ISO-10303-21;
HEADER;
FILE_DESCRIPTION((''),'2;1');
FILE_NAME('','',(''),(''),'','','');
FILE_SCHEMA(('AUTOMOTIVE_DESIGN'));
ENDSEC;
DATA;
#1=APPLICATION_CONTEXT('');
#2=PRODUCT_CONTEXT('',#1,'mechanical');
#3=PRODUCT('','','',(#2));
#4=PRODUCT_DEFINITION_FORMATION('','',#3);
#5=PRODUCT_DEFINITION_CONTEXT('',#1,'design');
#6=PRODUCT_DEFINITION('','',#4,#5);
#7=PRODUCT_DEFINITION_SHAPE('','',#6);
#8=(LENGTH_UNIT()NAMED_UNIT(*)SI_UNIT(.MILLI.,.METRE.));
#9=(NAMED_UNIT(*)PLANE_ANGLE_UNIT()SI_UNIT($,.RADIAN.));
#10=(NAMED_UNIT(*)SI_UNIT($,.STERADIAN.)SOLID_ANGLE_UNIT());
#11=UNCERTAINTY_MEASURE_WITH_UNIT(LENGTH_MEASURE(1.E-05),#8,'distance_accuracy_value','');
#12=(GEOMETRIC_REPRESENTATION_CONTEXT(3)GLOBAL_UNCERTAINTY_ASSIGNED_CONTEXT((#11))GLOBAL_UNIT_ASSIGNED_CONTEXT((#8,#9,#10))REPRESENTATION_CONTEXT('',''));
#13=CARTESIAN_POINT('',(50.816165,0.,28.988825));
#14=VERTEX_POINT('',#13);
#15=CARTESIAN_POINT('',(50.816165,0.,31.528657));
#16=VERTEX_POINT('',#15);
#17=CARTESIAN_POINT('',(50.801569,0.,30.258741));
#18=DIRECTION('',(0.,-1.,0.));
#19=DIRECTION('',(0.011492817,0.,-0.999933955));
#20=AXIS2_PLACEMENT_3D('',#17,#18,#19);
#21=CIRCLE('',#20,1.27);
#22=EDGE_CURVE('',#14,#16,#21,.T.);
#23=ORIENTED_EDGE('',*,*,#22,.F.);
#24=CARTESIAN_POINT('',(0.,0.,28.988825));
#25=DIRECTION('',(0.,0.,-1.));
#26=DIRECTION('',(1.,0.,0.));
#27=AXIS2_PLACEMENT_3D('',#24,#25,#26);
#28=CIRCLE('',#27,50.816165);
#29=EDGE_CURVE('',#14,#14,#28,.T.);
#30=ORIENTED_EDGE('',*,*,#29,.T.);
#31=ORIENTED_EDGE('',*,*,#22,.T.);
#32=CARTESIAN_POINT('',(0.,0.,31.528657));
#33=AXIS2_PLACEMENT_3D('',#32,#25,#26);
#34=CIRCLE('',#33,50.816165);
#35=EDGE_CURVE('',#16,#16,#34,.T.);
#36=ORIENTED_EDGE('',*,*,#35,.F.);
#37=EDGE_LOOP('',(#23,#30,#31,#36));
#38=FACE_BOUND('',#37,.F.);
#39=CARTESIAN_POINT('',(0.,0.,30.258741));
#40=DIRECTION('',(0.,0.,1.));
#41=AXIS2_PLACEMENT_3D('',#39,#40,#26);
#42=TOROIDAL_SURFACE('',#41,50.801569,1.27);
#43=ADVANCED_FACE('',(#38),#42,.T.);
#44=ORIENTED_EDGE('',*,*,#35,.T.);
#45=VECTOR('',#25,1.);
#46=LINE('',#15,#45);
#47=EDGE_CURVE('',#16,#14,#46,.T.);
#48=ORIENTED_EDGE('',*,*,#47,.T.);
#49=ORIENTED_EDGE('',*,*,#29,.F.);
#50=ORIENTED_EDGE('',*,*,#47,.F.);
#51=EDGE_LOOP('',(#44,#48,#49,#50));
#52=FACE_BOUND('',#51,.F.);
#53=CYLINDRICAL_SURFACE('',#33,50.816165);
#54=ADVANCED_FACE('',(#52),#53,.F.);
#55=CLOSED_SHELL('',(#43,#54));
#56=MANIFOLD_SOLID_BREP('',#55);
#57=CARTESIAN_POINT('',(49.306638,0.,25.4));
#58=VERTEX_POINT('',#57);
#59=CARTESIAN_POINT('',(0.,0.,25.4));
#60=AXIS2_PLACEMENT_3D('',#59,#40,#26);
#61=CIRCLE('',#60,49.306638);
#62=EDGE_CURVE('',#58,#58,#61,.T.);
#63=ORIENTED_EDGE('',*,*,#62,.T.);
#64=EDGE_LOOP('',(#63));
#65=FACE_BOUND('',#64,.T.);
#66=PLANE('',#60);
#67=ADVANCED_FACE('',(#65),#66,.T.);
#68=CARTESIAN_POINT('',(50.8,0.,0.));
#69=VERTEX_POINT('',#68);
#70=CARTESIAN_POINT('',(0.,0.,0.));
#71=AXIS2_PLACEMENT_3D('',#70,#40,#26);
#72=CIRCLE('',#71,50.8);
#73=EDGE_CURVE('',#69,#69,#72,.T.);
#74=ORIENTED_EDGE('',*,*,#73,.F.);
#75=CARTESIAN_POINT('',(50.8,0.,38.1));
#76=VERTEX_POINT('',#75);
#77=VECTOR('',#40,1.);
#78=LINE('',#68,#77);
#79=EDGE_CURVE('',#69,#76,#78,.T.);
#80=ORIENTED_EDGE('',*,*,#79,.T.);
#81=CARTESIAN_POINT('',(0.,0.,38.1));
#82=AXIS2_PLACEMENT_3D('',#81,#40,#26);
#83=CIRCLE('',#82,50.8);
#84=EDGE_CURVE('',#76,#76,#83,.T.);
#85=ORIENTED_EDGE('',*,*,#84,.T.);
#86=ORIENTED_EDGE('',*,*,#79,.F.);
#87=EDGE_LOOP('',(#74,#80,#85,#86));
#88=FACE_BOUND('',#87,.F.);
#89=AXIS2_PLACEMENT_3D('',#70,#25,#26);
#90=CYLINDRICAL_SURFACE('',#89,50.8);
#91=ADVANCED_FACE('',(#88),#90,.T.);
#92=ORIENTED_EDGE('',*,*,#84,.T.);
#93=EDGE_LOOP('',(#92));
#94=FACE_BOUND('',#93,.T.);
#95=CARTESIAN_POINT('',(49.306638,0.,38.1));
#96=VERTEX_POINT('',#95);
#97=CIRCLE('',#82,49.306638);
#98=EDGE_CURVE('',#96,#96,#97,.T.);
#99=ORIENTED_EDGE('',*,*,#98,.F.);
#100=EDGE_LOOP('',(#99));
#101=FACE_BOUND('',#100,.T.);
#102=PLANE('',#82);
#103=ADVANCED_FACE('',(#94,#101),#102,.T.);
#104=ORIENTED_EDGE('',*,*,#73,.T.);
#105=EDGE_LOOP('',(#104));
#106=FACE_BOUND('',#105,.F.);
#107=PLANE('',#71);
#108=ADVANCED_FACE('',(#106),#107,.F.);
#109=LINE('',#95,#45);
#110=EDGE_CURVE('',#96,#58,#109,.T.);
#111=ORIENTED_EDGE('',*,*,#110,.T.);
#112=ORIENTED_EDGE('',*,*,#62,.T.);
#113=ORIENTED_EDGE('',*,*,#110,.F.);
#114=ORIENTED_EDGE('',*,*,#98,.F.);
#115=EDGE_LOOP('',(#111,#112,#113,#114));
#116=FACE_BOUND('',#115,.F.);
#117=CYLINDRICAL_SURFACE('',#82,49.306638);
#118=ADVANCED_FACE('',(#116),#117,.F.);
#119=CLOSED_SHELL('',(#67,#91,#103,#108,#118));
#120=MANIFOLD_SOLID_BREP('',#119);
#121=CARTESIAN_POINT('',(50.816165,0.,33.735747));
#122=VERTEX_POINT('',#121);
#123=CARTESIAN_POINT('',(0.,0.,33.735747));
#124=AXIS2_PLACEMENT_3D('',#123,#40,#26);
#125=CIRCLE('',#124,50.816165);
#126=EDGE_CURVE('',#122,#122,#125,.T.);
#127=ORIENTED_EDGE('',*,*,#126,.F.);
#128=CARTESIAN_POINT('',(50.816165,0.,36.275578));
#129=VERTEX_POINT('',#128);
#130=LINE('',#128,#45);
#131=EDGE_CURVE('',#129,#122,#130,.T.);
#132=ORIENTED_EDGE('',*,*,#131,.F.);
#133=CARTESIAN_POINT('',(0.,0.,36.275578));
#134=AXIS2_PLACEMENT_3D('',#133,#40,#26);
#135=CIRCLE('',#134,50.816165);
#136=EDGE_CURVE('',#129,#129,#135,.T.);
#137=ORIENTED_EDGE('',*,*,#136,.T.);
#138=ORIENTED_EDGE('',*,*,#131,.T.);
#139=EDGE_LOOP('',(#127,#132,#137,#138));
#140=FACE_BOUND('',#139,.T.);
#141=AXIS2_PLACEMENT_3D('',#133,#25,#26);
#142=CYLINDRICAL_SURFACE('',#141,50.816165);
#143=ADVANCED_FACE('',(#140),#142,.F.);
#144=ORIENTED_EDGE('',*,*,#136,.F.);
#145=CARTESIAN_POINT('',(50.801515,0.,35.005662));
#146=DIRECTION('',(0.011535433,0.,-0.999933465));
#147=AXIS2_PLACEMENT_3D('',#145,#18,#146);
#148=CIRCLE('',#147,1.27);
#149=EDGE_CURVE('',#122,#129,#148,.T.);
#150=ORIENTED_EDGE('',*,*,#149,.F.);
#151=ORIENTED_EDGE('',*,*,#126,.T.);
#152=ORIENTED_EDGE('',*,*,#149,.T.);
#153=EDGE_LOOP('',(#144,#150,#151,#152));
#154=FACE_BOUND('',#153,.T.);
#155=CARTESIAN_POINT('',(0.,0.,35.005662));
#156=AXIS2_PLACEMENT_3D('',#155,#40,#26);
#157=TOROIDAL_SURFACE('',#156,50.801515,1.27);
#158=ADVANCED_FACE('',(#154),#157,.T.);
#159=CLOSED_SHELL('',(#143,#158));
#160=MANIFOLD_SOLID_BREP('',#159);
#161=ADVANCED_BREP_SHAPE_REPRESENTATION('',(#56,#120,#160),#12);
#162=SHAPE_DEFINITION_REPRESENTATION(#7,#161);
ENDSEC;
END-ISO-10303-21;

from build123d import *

# Parameters (mm, degrees)
F0_R     = 50.8
F1_DEPTH = 38.1
F2_R     = 49.306638
F3_DEPTH = 12.7


with BuildPart() as f1:
    # F0 (on Top) → F1 (new body)
    with BuildSketch(Plane.XY):
        Circle(F0_R)
    extrude(amount=F1_DEPTH)

    # F2 (on face) → F3 (cut)
    with BuildSketch(Plane.XY.offset(38.1)):
        Circle(F2_R)
    extrude(amount=-F3_DEPTH, mode=Mode.SUBTRACT)


with BuildPart() as f5:
    # F4 (on Front) → F5 (revolve)
    with BuildSketch(Plane.XZ):
        with BuildLine():
            Line((50.816165, 36.275578), (50.816165, 33.735747))
            ThreePointArc((50.816165, 33.735747), (52.071515, 35.005663), (50.816165, 36.275578))
        make_face()
    revolve(axis=Axis((0, 0, 38.1), (0, 0, 1)))


with BuildPart() as f6:
    # F4 (on Front) → F6 (revolve)
    with BuildSketch(Plane.XZ):
        with BuildLine():
            ThreePointArc((50.816165, 28.988825), (52.071569, 30.258741), (50.816165, 31.528657))
            Line((50.816165, 31.528657), (50.816165, 28.988825))
        make_face()
    revolve(axis=Axis((0, 0, 0), (0, 0, -1)))


solid = Compound([f1.part, f5.part, f6.part])
